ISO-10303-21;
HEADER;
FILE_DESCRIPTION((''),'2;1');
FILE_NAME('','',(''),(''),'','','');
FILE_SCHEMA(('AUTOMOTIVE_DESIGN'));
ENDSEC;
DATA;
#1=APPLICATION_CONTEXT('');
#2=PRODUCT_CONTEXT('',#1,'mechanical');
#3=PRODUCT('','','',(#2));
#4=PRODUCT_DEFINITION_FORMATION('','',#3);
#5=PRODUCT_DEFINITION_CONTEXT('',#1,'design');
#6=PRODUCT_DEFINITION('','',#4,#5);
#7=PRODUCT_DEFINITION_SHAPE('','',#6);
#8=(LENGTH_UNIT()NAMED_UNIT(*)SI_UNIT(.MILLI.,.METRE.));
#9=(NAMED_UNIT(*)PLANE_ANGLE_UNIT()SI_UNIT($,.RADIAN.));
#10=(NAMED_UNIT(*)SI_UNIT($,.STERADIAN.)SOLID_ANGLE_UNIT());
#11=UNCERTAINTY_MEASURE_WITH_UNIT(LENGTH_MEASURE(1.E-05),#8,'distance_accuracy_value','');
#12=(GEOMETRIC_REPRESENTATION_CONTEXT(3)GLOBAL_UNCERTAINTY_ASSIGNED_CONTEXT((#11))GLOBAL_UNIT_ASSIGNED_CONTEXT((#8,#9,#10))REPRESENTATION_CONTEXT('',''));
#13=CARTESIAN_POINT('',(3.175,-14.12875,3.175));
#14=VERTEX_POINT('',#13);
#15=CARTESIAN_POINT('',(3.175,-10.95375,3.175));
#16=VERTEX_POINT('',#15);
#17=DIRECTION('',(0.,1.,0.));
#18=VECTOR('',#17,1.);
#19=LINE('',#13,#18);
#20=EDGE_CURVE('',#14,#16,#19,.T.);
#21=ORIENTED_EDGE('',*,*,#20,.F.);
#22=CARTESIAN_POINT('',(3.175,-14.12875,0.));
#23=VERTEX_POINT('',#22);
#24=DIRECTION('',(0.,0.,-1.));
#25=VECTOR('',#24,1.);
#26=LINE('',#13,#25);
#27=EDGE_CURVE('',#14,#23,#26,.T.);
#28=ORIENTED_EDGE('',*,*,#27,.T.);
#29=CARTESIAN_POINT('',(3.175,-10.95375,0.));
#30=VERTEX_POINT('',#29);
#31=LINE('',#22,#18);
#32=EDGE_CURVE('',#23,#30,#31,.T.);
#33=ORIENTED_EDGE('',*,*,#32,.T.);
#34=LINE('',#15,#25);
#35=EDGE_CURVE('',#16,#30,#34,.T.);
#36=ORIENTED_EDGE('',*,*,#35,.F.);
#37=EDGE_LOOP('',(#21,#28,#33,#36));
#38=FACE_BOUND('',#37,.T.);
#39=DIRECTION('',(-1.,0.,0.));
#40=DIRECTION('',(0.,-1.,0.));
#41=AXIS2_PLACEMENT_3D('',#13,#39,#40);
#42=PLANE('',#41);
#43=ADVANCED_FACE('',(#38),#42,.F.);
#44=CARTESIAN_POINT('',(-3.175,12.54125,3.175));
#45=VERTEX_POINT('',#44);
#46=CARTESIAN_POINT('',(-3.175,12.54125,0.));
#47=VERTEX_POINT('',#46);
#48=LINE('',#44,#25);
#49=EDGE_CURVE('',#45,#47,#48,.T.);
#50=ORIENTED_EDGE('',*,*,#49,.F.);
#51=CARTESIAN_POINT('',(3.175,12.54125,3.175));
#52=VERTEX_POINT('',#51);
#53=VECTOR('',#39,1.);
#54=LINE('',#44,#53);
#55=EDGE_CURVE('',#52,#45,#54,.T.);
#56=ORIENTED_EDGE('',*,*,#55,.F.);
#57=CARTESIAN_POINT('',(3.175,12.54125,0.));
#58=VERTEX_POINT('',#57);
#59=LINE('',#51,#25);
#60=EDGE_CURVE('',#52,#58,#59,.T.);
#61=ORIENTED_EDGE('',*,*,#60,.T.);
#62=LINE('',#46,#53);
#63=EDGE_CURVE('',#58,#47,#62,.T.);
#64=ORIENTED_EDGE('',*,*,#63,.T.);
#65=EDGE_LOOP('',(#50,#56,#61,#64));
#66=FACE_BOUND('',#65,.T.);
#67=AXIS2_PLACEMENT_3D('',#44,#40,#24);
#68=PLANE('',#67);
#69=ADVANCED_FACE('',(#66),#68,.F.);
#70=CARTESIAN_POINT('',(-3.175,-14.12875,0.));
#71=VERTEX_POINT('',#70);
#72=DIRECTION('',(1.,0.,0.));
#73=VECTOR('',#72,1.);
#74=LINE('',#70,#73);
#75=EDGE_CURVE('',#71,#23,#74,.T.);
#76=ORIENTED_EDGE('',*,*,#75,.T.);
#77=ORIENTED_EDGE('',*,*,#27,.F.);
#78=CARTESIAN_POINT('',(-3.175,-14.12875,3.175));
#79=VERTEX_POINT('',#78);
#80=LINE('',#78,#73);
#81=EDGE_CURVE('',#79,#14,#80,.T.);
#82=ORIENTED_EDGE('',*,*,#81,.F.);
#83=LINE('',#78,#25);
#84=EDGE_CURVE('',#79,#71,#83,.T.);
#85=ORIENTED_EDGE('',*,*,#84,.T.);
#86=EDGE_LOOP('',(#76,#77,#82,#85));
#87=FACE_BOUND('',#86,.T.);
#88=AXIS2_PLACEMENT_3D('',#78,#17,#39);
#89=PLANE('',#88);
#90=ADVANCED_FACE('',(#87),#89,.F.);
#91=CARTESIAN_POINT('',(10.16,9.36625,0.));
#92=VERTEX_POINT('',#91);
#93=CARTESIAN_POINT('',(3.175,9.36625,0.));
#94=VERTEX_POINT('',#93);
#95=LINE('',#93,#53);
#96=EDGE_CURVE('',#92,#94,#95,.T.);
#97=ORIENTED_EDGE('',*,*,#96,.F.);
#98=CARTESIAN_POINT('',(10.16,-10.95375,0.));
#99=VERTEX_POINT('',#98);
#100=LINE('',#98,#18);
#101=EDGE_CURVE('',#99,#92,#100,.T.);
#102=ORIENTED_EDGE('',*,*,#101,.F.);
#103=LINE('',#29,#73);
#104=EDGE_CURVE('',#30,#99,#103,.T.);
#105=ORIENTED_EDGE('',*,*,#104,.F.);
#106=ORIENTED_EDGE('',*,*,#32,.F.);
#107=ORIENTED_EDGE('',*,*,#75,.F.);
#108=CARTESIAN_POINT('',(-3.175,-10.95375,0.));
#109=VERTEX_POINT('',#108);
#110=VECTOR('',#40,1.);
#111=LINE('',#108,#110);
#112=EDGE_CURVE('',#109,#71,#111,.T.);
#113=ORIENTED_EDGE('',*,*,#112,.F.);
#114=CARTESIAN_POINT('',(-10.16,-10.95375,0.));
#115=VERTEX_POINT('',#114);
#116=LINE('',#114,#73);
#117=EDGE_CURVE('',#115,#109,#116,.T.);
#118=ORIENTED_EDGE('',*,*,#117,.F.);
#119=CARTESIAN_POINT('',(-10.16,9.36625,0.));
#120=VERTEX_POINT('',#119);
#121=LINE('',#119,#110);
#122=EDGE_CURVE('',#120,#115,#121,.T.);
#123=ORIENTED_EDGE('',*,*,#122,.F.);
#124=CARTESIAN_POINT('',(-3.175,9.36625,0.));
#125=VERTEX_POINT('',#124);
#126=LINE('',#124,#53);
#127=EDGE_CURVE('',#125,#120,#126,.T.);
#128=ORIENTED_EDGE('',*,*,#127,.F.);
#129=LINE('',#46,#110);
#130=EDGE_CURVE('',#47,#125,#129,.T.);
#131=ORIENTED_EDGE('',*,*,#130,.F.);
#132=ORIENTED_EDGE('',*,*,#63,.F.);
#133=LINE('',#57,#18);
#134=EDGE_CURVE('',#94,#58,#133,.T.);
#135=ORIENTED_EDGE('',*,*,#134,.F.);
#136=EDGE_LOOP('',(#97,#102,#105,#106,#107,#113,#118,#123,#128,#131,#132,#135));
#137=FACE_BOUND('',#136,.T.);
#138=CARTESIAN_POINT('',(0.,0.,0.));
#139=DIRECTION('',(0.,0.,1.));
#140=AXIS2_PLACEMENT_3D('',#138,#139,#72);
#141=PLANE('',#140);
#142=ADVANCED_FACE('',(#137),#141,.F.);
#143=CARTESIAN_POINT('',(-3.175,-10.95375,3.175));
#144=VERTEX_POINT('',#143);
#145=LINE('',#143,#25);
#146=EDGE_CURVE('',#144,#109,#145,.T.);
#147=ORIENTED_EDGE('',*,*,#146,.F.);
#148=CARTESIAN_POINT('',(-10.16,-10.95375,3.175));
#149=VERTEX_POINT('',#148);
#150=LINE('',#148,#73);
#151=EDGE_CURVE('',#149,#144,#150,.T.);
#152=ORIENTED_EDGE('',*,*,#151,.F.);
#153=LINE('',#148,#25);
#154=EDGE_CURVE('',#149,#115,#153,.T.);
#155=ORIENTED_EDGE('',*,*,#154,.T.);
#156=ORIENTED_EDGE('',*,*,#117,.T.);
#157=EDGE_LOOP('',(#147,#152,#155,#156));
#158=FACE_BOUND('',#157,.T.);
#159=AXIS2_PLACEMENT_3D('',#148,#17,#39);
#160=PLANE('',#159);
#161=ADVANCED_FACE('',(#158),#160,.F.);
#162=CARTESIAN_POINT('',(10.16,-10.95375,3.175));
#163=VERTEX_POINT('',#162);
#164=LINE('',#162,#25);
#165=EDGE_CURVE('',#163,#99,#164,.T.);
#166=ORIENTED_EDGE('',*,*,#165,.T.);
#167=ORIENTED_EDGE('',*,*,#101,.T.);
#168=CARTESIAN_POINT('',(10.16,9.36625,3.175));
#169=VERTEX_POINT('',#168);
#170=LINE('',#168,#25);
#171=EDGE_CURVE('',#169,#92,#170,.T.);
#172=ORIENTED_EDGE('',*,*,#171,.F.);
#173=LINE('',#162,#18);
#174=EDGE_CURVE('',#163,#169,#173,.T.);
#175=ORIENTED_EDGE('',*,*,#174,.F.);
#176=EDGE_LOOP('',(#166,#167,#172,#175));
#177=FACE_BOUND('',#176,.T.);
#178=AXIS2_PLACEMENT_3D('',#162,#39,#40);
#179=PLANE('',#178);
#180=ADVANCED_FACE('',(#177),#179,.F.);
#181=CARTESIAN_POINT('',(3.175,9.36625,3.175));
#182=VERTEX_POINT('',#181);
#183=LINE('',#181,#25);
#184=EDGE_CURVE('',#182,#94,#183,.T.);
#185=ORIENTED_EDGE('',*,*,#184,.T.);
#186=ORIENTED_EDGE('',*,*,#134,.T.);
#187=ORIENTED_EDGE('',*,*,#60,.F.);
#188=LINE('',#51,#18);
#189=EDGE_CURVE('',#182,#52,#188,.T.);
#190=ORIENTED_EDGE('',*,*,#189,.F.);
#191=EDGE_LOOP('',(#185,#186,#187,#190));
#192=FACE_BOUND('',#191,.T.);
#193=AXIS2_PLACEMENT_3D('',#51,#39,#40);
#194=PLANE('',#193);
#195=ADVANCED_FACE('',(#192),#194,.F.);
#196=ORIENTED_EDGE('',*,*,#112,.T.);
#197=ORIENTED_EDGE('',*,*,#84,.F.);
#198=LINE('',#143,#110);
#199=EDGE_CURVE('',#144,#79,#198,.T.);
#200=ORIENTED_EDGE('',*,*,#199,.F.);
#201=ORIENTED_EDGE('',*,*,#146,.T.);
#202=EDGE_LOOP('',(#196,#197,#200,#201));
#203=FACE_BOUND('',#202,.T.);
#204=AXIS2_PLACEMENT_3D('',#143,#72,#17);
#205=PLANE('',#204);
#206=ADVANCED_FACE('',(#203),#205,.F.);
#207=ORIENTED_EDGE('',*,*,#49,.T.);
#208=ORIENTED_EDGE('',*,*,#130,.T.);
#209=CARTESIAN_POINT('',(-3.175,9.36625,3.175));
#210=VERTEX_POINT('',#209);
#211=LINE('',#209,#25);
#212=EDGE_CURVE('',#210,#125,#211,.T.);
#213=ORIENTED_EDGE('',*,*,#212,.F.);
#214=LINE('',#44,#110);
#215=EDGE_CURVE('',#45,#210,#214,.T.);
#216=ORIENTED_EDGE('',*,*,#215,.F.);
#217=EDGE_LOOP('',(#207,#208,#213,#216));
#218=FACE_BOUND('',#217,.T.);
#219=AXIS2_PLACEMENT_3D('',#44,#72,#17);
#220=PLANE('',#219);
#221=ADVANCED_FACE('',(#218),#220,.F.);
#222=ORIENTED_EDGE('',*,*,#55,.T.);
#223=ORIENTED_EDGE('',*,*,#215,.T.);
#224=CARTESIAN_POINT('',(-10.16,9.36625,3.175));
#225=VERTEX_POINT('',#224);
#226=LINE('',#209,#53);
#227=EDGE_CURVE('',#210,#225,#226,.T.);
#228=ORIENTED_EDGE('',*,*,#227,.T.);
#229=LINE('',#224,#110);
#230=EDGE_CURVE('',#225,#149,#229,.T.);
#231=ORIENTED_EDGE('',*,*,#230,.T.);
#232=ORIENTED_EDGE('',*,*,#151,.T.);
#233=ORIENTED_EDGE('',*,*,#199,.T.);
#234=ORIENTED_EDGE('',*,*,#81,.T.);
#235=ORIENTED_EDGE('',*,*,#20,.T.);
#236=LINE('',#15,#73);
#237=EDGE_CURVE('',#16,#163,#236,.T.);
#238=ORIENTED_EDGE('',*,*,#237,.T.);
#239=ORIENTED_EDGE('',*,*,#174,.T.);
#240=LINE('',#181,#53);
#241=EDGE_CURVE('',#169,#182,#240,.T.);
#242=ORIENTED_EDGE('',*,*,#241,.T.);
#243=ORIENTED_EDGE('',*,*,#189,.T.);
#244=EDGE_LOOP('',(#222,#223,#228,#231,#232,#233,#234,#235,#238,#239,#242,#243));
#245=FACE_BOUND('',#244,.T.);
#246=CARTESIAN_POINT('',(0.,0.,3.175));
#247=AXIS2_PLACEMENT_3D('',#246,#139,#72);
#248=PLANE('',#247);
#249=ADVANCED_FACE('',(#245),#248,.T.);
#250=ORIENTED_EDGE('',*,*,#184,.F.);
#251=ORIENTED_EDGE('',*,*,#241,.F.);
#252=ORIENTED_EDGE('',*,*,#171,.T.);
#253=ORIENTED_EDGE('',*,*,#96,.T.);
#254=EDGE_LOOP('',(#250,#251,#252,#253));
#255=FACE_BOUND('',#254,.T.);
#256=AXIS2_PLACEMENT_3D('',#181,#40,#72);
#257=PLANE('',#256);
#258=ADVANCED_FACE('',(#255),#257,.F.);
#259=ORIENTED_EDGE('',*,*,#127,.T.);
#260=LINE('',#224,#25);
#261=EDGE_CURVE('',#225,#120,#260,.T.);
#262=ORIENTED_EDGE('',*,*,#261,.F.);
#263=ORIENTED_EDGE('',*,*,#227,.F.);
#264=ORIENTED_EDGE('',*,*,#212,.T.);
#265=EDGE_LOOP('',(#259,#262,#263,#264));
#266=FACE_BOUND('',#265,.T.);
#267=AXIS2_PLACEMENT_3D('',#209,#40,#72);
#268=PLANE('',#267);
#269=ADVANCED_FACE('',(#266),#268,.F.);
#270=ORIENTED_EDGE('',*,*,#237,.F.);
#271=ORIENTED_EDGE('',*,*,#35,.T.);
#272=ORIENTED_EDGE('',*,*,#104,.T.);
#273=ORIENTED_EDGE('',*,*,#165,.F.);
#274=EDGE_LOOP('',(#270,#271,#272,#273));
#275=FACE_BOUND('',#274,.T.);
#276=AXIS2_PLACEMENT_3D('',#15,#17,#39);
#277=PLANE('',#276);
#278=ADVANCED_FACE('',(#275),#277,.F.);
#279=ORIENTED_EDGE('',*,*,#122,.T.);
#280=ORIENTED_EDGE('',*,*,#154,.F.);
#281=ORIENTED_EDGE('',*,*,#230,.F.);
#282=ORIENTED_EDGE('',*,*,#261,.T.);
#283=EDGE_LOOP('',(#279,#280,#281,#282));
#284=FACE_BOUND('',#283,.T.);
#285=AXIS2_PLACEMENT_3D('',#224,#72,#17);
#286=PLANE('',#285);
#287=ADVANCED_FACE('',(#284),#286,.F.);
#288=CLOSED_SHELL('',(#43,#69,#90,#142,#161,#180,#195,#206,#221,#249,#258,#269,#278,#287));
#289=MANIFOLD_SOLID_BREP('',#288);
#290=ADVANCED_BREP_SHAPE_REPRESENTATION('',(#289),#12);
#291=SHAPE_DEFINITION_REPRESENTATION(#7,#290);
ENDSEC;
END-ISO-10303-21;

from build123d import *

# Parameters (mm, degrees)
BOSS_EXTRUDE1_DEPTH = 3.175


with BuildPart() as part:
    # Sketch1 → Boss-Extrude1 (new body)
    with BuildSketch(Plane.XY):
        Polygon((-3.175, -10.95375), (-3.175, -14.12875), (3.175, -14.12875), (3.175, -10.95375), (10.16, -10.95375), (10.16, 9.36625), (3.175, 9.36625), (3.175, 12.54125), (-3.175, 12.54125), (-3.175, 9.36625), (-10.16, 9.36625), (-10.16, -10.95375), align=None)
    extrude(amount=BOSS_EXTRUDE1_DEPTH)


solid = part.part
